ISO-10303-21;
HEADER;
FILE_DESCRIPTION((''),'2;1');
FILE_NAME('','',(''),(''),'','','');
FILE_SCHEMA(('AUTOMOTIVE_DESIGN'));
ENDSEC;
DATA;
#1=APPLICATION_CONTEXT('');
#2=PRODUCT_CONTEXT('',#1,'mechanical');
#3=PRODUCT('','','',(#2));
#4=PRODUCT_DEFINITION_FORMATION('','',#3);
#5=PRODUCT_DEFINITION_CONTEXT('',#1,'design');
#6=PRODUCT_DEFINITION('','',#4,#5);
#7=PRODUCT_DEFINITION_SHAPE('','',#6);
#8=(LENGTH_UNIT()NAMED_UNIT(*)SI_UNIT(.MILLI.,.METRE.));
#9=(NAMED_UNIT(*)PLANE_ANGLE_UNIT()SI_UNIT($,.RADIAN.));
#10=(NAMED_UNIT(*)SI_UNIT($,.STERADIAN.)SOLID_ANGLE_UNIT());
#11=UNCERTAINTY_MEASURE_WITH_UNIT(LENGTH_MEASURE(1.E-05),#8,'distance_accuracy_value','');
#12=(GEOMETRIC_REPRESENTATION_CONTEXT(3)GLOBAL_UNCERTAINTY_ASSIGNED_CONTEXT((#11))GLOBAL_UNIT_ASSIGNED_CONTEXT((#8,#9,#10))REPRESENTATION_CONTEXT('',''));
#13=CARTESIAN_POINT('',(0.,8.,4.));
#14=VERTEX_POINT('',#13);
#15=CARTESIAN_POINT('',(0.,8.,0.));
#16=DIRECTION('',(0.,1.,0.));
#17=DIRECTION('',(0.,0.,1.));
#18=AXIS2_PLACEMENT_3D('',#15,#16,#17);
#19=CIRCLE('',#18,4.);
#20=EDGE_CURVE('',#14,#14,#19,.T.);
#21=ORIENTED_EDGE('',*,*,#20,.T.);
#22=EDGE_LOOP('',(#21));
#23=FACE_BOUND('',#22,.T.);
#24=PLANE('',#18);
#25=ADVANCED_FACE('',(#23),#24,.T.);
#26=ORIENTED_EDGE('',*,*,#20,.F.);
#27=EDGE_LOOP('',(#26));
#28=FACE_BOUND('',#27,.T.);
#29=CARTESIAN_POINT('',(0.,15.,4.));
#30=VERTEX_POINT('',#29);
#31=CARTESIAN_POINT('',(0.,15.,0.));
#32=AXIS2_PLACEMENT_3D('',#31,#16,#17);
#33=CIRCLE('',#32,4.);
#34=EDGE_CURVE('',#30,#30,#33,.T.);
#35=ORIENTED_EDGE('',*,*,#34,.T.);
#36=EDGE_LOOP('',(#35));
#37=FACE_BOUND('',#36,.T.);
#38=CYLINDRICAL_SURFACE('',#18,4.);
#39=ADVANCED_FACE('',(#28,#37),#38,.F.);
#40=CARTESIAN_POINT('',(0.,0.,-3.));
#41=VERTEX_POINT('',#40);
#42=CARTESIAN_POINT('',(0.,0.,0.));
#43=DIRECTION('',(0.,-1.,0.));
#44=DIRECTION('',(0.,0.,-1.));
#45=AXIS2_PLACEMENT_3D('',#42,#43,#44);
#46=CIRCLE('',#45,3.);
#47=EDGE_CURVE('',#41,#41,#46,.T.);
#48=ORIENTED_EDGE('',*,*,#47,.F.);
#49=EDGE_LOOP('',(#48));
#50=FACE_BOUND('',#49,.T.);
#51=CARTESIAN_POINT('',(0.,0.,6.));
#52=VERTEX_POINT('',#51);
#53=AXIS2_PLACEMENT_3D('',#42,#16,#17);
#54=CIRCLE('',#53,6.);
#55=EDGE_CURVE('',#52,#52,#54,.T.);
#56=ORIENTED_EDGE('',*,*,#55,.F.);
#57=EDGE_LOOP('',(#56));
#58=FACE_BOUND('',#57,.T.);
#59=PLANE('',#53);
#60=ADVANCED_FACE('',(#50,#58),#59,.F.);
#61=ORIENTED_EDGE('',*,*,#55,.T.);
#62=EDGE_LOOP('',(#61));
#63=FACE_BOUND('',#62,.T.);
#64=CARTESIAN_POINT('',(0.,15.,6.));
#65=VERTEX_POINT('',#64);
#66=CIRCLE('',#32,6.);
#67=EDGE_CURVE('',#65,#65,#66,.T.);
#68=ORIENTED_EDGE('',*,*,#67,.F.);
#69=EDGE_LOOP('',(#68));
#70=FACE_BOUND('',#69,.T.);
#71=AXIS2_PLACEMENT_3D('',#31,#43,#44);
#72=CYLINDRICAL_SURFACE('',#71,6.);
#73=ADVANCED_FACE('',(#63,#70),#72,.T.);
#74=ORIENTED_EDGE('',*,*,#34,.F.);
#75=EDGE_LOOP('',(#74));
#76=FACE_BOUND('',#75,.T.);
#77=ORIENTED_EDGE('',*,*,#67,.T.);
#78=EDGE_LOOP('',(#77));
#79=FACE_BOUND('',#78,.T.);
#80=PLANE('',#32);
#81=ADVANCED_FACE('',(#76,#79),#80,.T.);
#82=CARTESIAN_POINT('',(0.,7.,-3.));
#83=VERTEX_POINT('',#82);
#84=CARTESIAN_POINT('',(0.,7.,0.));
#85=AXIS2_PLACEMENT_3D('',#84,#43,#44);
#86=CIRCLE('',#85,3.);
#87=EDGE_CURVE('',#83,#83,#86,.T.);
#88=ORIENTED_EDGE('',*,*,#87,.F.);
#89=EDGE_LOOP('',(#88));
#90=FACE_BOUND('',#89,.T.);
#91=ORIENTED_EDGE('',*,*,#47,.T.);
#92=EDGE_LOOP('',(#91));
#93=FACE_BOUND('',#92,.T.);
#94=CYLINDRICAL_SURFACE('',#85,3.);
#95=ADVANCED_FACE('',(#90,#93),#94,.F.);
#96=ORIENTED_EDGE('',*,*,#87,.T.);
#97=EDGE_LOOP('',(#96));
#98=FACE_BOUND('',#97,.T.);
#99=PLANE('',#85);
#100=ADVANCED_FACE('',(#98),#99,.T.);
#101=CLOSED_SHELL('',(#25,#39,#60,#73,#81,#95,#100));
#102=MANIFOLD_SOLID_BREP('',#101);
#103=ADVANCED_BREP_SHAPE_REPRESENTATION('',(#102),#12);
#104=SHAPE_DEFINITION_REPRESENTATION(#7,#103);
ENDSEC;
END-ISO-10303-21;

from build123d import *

# Parameters (mm, degrees)
SKETCH1_R           = 6
BOSS_EXTRUDE1_DEPTH = 15
SKETCH2_R           = 3
CUT_EXTRUDE1_DEPTH  = 7
SKETCH3_R           = 4
CUT_EXTRUDE2_DEPTH  = 7


with BuildPart() as part:
    # Sketch1 → Boss-Extrude1 (new body)
    with BuildSketch(Plane(origin=(0, 0, 0), x_dir=(1, 0, 0), z_dir=(0, 1, 0))):
        Circle(SKETCH1_R)
    extrude(amount=BOSS_EXTRUDE1_DEPTH)

    # Sketch2 → Cut-Extrude1 (cut)
    with BuildSketch(Plane.XZ):
        Circle(SKETCH2_R)
    extrude(amount=-CUT_EXTRUDE1_DEPTH, mode=Mode.SUBTRACT)

    # Sketch3 → Cut-Extrude2 (cut)
    with BuildSketch(Plane(origin=(0, 15, 0), x_dir=(1, 0, 0), z_dir=(0, 1, 0))):
        Circle(SKETCH3_R)
    extrude(amount=-CUT_EXTRUDE2_DEPTH, mode=Mode.SUBTRACT)


solid = part.part
